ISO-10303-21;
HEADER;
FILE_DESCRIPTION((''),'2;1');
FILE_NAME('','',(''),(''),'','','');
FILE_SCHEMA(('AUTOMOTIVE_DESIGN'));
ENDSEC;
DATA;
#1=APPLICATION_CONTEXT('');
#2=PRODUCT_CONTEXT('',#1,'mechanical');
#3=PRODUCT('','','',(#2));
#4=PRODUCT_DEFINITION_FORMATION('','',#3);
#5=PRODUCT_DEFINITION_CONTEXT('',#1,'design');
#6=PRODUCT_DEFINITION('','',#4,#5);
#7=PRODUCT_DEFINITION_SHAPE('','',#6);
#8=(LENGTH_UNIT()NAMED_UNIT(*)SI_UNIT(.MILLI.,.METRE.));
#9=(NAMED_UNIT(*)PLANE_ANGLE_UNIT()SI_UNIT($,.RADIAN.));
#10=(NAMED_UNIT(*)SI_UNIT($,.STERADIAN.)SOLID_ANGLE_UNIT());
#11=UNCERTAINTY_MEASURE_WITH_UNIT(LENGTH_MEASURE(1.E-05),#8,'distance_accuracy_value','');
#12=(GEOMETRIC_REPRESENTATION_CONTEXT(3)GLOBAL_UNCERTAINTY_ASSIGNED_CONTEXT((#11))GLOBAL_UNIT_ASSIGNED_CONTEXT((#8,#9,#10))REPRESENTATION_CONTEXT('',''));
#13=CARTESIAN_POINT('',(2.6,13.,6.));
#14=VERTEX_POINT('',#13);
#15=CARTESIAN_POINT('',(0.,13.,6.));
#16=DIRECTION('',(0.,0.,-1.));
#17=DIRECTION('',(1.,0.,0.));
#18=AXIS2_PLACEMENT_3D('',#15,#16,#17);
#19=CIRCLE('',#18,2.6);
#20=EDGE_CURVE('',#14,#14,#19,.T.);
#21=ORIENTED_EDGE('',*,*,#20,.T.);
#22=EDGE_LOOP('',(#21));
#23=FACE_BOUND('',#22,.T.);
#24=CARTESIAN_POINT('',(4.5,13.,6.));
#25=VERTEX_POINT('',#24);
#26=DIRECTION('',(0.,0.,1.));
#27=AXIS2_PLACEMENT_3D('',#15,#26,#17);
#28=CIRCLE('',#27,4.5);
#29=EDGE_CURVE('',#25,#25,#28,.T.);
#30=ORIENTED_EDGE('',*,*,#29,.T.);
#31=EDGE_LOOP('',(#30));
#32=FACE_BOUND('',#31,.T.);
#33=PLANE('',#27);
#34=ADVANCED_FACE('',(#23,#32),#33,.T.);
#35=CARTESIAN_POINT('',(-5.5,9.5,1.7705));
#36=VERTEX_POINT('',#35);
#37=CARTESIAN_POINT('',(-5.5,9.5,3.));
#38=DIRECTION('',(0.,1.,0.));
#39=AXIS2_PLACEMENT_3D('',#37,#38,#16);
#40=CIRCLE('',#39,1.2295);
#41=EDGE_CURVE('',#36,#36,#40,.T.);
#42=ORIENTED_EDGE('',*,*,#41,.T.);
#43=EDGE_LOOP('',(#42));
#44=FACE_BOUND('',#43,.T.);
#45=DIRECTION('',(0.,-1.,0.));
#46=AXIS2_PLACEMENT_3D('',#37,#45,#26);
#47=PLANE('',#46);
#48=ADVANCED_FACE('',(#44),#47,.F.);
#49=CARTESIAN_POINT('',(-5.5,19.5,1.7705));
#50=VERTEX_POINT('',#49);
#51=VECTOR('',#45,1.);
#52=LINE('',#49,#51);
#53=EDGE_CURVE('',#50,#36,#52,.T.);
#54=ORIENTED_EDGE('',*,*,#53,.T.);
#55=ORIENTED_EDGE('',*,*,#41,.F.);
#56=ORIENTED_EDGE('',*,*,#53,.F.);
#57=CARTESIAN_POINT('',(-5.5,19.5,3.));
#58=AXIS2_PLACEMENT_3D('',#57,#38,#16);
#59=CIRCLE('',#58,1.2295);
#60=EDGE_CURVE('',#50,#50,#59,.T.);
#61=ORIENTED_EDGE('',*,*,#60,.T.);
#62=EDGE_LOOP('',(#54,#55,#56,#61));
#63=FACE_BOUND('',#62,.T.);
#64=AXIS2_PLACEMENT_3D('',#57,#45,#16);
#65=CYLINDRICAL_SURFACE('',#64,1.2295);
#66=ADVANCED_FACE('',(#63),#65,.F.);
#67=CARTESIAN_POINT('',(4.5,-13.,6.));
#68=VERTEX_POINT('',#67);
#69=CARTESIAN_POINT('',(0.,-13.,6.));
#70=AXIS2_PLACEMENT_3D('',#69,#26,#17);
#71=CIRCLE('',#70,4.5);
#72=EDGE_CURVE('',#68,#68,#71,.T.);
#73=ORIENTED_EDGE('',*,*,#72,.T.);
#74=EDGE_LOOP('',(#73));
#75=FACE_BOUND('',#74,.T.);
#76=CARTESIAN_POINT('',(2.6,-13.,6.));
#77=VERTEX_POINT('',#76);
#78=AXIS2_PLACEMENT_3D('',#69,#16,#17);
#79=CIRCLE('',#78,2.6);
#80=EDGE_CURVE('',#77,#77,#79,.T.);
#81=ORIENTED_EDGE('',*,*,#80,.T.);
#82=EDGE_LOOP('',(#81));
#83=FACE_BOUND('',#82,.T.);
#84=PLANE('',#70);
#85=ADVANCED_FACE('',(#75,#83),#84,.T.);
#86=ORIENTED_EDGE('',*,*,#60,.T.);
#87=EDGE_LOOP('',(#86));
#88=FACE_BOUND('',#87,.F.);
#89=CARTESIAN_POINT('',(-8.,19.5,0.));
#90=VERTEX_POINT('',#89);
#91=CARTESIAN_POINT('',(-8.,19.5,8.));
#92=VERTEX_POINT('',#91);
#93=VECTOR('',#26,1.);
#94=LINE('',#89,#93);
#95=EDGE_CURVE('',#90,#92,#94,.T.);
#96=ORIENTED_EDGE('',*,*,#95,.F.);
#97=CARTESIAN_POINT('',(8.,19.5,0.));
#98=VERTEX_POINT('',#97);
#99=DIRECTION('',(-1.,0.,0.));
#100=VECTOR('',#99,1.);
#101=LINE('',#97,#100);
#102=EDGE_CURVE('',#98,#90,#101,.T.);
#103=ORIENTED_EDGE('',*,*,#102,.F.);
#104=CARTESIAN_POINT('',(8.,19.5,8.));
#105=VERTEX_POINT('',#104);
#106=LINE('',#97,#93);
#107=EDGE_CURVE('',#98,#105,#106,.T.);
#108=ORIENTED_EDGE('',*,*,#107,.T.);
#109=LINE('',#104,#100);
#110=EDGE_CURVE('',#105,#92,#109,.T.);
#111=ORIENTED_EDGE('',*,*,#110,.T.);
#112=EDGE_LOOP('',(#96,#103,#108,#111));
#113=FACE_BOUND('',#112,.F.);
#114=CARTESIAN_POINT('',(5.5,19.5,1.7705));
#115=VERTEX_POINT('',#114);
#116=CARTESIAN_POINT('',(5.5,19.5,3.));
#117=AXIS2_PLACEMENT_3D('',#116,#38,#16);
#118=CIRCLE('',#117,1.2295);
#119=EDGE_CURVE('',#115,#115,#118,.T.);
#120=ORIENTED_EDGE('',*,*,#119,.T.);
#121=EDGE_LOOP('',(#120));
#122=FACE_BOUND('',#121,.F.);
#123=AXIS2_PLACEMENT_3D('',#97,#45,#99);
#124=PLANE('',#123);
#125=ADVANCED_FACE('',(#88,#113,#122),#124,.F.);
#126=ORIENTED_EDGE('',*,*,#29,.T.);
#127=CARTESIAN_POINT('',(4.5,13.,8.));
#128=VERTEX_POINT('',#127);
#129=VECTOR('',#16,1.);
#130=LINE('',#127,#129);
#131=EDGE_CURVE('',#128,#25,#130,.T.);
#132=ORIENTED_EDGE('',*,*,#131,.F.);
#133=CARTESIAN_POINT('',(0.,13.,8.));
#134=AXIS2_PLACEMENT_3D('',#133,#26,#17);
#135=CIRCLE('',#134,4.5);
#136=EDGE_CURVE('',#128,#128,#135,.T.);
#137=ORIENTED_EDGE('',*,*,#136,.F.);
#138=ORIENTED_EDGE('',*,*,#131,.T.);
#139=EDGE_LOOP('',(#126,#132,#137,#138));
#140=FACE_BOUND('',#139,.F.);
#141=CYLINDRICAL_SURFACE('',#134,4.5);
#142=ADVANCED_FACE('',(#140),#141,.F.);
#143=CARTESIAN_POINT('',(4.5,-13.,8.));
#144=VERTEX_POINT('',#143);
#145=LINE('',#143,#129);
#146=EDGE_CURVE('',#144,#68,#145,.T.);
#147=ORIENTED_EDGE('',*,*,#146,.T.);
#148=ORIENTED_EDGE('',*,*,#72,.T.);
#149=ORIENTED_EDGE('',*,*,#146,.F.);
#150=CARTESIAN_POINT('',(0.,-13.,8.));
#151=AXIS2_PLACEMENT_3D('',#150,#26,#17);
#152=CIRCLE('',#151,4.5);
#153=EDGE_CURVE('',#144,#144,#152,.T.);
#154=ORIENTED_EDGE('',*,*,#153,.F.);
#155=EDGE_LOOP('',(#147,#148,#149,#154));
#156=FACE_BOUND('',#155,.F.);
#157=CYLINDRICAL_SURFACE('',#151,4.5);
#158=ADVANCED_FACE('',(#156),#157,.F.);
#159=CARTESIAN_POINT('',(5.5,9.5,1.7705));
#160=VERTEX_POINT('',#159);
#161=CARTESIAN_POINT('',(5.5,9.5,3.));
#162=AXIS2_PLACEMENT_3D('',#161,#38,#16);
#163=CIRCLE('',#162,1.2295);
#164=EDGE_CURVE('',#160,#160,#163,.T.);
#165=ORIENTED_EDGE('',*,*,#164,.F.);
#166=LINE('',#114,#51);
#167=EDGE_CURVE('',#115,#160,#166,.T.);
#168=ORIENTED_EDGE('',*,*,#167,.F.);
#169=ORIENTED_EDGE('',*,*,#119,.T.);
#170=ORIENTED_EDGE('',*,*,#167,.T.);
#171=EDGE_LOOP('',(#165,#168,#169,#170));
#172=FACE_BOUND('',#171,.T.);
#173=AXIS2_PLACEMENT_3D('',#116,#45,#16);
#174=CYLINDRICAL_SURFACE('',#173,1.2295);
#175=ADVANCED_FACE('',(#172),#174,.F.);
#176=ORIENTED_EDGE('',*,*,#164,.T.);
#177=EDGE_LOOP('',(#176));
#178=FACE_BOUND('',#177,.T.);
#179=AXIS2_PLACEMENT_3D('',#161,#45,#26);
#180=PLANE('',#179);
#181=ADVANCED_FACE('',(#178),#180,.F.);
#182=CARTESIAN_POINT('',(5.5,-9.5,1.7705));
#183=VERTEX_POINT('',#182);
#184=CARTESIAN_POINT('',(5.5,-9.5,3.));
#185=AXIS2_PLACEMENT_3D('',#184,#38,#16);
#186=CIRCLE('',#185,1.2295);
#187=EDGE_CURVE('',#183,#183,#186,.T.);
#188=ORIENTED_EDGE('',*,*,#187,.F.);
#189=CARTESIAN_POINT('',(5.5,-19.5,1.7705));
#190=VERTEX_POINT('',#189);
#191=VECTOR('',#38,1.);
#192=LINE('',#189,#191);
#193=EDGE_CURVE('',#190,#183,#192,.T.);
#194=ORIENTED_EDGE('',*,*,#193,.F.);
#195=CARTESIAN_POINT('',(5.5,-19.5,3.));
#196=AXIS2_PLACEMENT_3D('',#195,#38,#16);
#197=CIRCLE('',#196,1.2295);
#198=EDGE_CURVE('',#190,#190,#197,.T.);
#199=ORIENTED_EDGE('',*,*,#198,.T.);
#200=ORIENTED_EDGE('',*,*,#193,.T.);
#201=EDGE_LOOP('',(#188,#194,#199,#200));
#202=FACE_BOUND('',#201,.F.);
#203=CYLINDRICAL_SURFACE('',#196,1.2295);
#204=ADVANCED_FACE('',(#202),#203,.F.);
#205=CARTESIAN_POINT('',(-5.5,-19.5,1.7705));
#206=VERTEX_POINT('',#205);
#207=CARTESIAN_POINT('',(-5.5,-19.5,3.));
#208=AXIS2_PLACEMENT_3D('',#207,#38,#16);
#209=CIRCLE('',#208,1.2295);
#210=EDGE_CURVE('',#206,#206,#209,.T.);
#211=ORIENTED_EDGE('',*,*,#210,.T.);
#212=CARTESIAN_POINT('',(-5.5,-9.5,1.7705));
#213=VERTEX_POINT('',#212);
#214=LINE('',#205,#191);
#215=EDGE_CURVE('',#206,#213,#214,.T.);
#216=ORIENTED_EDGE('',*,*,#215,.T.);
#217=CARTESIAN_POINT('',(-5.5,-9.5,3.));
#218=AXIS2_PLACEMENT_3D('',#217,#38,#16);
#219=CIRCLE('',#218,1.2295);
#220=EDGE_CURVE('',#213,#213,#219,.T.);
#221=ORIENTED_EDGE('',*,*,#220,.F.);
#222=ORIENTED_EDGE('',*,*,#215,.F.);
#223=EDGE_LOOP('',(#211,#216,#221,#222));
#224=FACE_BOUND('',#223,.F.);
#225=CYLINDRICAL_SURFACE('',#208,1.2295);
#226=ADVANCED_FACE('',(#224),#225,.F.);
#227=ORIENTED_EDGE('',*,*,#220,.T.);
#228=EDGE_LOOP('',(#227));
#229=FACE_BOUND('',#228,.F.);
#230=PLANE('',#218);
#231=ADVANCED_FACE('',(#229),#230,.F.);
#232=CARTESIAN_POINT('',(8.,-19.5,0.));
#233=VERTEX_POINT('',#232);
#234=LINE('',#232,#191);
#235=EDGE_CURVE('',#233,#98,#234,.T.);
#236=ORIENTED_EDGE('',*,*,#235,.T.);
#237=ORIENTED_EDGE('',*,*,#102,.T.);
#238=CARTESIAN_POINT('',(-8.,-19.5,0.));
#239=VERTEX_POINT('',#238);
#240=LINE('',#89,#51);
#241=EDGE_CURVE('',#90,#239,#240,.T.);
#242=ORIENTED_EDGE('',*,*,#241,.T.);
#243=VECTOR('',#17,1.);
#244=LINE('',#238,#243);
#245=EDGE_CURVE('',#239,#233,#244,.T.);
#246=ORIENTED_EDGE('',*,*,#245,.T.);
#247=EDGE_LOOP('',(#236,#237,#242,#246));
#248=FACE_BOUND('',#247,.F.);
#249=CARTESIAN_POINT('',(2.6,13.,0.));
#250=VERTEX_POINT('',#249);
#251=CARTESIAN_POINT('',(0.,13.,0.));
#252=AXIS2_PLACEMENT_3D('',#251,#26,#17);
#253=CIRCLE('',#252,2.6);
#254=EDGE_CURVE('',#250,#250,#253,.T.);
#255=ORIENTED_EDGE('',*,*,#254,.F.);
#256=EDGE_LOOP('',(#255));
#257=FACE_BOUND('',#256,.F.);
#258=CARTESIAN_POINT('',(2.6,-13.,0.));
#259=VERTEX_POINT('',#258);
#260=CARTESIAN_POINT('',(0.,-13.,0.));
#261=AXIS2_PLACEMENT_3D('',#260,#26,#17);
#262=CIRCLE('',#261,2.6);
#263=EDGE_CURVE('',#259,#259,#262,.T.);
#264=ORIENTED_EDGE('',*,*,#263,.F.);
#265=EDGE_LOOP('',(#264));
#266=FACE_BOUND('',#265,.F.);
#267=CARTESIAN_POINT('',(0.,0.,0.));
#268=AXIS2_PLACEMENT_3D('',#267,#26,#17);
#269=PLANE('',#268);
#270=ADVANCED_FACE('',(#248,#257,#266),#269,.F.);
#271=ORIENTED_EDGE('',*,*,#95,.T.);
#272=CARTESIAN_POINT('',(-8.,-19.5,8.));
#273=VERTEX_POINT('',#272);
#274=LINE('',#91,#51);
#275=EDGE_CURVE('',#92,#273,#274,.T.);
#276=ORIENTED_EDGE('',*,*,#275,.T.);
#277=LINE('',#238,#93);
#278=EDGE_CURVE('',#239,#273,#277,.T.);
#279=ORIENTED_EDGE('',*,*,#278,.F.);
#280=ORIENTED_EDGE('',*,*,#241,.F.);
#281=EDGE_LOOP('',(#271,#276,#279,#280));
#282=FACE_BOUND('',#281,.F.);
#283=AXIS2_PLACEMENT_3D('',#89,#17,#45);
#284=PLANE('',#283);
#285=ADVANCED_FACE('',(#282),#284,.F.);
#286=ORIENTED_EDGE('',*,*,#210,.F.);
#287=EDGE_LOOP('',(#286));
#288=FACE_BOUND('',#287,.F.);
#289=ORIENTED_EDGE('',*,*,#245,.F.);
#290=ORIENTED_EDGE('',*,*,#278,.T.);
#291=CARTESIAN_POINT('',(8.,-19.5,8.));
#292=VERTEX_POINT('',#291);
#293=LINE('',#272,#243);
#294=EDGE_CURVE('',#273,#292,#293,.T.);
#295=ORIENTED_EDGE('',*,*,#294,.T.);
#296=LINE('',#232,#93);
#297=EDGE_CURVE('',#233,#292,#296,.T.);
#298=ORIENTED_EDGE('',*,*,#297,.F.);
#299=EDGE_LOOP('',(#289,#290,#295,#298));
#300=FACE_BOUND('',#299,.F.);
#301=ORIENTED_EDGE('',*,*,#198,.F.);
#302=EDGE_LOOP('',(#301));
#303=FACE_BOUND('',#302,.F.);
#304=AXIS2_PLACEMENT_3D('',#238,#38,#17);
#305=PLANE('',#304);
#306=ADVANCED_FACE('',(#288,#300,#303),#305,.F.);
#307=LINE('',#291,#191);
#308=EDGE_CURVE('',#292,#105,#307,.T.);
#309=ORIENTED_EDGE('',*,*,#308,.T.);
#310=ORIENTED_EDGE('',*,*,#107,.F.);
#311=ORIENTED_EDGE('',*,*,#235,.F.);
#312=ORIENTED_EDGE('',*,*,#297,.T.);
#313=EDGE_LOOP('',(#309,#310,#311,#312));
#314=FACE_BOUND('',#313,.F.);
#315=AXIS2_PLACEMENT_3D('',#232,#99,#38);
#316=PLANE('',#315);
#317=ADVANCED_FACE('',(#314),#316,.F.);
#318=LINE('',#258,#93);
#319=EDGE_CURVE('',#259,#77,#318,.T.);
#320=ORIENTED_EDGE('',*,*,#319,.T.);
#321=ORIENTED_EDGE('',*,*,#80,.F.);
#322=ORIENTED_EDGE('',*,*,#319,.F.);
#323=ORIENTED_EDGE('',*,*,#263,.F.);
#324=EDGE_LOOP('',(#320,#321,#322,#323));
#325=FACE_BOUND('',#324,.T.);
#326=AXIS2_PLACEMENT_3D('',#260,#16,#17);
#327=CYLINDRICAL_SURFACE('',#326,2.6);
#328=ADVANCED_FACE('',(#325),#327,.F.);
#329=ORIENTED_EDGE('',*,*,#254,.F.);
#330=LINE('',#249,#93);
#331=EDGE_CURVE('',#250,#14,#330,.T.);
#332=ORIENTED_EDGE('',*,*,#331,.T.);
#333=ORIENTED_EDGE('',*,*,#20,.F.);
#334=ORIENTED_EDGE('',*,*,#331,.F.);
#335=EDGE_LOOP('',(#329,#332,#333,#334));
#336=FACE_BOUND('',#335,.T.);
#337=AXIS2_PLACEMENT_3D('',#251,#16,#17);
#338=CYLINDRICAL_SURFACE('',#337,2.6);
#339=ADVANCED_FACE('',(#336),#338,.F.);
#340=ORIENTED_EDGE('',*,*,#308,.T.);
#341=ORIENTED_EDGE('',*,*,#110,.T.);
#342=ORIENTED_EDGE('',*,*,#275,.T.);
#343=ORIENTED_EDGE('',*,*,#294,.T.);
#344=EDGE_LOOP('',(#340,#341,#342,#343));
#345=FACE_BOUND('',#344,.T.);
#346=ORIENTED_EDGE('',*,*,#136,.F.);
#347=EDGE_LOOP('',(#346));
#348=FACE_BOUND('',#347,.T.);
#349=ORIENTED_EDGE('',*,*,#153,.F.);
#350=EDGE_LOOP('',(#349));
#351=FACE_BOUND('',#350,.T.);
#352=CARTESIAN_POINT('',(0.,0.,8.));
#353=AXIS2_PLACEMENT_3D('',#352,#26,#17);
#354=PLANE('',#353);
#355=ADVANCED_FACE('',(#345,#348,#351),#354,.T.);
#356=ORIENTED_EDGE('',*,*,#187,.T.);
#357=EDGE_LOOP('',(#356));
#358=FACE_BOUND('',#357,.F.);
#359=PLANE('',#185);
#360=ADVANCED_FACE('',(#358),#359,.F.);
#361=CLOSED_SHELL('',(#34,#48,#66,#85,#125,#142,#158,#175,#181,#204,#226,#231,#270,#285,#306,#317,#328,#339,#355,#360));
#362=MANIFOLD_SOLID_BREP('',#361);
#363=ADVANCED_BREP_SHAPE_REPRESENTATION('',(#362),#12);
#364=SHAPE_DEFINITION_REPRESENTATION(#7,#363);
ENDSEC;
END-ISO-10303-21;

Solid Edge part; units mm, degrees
sketch "Sketch1" plane through (0, 0, 0) normal (0, 0, 1) x (1, 0, 0)
  line L0 (-8, -19.5) -> (8, -19.5)
  line L1 (8, -19.5) -> (8, 19.5)
  line L2 (8, 19.5) -> (-8, 19.5)
  line L3 (-8, 19.5) -> (-8, -19.5)
  circle A0 centre (0, 13) radius 2.6
  circle A1 centre (0, -13) radius 2.6
  dimension "D1" = 13
  dimension "D2" = 13
extrude "Protrusion1" add sketch "Sketch1" along normal blind 8
sketch "Sketch2" plane through (0, 0, 8) normal (0, 0, 1) x (1, 0, 0)
  circle A0 centre (0, 13) radius 4.5
  circle A1 centre (0, -13) radius 4.5
extrude "ExtrudedCutout_1" cut sketch "Sketch2" against normal blind 2
hole "Hole_1" at (-5.5, -19.5, 3) direction (0, 1, 0) diameter 2.459 depth 10 thread major 3 thread length 8
hole "Hole1" at (5.5, -19.5, 3) direction (0, 1, 0) diameter 2.459 depth 10 thread major 3 thread length 8
mirror "Mirror1" about plane through (0, 0, 0) normal (0, 1, 0) of "Hole_1", "Hole1"
